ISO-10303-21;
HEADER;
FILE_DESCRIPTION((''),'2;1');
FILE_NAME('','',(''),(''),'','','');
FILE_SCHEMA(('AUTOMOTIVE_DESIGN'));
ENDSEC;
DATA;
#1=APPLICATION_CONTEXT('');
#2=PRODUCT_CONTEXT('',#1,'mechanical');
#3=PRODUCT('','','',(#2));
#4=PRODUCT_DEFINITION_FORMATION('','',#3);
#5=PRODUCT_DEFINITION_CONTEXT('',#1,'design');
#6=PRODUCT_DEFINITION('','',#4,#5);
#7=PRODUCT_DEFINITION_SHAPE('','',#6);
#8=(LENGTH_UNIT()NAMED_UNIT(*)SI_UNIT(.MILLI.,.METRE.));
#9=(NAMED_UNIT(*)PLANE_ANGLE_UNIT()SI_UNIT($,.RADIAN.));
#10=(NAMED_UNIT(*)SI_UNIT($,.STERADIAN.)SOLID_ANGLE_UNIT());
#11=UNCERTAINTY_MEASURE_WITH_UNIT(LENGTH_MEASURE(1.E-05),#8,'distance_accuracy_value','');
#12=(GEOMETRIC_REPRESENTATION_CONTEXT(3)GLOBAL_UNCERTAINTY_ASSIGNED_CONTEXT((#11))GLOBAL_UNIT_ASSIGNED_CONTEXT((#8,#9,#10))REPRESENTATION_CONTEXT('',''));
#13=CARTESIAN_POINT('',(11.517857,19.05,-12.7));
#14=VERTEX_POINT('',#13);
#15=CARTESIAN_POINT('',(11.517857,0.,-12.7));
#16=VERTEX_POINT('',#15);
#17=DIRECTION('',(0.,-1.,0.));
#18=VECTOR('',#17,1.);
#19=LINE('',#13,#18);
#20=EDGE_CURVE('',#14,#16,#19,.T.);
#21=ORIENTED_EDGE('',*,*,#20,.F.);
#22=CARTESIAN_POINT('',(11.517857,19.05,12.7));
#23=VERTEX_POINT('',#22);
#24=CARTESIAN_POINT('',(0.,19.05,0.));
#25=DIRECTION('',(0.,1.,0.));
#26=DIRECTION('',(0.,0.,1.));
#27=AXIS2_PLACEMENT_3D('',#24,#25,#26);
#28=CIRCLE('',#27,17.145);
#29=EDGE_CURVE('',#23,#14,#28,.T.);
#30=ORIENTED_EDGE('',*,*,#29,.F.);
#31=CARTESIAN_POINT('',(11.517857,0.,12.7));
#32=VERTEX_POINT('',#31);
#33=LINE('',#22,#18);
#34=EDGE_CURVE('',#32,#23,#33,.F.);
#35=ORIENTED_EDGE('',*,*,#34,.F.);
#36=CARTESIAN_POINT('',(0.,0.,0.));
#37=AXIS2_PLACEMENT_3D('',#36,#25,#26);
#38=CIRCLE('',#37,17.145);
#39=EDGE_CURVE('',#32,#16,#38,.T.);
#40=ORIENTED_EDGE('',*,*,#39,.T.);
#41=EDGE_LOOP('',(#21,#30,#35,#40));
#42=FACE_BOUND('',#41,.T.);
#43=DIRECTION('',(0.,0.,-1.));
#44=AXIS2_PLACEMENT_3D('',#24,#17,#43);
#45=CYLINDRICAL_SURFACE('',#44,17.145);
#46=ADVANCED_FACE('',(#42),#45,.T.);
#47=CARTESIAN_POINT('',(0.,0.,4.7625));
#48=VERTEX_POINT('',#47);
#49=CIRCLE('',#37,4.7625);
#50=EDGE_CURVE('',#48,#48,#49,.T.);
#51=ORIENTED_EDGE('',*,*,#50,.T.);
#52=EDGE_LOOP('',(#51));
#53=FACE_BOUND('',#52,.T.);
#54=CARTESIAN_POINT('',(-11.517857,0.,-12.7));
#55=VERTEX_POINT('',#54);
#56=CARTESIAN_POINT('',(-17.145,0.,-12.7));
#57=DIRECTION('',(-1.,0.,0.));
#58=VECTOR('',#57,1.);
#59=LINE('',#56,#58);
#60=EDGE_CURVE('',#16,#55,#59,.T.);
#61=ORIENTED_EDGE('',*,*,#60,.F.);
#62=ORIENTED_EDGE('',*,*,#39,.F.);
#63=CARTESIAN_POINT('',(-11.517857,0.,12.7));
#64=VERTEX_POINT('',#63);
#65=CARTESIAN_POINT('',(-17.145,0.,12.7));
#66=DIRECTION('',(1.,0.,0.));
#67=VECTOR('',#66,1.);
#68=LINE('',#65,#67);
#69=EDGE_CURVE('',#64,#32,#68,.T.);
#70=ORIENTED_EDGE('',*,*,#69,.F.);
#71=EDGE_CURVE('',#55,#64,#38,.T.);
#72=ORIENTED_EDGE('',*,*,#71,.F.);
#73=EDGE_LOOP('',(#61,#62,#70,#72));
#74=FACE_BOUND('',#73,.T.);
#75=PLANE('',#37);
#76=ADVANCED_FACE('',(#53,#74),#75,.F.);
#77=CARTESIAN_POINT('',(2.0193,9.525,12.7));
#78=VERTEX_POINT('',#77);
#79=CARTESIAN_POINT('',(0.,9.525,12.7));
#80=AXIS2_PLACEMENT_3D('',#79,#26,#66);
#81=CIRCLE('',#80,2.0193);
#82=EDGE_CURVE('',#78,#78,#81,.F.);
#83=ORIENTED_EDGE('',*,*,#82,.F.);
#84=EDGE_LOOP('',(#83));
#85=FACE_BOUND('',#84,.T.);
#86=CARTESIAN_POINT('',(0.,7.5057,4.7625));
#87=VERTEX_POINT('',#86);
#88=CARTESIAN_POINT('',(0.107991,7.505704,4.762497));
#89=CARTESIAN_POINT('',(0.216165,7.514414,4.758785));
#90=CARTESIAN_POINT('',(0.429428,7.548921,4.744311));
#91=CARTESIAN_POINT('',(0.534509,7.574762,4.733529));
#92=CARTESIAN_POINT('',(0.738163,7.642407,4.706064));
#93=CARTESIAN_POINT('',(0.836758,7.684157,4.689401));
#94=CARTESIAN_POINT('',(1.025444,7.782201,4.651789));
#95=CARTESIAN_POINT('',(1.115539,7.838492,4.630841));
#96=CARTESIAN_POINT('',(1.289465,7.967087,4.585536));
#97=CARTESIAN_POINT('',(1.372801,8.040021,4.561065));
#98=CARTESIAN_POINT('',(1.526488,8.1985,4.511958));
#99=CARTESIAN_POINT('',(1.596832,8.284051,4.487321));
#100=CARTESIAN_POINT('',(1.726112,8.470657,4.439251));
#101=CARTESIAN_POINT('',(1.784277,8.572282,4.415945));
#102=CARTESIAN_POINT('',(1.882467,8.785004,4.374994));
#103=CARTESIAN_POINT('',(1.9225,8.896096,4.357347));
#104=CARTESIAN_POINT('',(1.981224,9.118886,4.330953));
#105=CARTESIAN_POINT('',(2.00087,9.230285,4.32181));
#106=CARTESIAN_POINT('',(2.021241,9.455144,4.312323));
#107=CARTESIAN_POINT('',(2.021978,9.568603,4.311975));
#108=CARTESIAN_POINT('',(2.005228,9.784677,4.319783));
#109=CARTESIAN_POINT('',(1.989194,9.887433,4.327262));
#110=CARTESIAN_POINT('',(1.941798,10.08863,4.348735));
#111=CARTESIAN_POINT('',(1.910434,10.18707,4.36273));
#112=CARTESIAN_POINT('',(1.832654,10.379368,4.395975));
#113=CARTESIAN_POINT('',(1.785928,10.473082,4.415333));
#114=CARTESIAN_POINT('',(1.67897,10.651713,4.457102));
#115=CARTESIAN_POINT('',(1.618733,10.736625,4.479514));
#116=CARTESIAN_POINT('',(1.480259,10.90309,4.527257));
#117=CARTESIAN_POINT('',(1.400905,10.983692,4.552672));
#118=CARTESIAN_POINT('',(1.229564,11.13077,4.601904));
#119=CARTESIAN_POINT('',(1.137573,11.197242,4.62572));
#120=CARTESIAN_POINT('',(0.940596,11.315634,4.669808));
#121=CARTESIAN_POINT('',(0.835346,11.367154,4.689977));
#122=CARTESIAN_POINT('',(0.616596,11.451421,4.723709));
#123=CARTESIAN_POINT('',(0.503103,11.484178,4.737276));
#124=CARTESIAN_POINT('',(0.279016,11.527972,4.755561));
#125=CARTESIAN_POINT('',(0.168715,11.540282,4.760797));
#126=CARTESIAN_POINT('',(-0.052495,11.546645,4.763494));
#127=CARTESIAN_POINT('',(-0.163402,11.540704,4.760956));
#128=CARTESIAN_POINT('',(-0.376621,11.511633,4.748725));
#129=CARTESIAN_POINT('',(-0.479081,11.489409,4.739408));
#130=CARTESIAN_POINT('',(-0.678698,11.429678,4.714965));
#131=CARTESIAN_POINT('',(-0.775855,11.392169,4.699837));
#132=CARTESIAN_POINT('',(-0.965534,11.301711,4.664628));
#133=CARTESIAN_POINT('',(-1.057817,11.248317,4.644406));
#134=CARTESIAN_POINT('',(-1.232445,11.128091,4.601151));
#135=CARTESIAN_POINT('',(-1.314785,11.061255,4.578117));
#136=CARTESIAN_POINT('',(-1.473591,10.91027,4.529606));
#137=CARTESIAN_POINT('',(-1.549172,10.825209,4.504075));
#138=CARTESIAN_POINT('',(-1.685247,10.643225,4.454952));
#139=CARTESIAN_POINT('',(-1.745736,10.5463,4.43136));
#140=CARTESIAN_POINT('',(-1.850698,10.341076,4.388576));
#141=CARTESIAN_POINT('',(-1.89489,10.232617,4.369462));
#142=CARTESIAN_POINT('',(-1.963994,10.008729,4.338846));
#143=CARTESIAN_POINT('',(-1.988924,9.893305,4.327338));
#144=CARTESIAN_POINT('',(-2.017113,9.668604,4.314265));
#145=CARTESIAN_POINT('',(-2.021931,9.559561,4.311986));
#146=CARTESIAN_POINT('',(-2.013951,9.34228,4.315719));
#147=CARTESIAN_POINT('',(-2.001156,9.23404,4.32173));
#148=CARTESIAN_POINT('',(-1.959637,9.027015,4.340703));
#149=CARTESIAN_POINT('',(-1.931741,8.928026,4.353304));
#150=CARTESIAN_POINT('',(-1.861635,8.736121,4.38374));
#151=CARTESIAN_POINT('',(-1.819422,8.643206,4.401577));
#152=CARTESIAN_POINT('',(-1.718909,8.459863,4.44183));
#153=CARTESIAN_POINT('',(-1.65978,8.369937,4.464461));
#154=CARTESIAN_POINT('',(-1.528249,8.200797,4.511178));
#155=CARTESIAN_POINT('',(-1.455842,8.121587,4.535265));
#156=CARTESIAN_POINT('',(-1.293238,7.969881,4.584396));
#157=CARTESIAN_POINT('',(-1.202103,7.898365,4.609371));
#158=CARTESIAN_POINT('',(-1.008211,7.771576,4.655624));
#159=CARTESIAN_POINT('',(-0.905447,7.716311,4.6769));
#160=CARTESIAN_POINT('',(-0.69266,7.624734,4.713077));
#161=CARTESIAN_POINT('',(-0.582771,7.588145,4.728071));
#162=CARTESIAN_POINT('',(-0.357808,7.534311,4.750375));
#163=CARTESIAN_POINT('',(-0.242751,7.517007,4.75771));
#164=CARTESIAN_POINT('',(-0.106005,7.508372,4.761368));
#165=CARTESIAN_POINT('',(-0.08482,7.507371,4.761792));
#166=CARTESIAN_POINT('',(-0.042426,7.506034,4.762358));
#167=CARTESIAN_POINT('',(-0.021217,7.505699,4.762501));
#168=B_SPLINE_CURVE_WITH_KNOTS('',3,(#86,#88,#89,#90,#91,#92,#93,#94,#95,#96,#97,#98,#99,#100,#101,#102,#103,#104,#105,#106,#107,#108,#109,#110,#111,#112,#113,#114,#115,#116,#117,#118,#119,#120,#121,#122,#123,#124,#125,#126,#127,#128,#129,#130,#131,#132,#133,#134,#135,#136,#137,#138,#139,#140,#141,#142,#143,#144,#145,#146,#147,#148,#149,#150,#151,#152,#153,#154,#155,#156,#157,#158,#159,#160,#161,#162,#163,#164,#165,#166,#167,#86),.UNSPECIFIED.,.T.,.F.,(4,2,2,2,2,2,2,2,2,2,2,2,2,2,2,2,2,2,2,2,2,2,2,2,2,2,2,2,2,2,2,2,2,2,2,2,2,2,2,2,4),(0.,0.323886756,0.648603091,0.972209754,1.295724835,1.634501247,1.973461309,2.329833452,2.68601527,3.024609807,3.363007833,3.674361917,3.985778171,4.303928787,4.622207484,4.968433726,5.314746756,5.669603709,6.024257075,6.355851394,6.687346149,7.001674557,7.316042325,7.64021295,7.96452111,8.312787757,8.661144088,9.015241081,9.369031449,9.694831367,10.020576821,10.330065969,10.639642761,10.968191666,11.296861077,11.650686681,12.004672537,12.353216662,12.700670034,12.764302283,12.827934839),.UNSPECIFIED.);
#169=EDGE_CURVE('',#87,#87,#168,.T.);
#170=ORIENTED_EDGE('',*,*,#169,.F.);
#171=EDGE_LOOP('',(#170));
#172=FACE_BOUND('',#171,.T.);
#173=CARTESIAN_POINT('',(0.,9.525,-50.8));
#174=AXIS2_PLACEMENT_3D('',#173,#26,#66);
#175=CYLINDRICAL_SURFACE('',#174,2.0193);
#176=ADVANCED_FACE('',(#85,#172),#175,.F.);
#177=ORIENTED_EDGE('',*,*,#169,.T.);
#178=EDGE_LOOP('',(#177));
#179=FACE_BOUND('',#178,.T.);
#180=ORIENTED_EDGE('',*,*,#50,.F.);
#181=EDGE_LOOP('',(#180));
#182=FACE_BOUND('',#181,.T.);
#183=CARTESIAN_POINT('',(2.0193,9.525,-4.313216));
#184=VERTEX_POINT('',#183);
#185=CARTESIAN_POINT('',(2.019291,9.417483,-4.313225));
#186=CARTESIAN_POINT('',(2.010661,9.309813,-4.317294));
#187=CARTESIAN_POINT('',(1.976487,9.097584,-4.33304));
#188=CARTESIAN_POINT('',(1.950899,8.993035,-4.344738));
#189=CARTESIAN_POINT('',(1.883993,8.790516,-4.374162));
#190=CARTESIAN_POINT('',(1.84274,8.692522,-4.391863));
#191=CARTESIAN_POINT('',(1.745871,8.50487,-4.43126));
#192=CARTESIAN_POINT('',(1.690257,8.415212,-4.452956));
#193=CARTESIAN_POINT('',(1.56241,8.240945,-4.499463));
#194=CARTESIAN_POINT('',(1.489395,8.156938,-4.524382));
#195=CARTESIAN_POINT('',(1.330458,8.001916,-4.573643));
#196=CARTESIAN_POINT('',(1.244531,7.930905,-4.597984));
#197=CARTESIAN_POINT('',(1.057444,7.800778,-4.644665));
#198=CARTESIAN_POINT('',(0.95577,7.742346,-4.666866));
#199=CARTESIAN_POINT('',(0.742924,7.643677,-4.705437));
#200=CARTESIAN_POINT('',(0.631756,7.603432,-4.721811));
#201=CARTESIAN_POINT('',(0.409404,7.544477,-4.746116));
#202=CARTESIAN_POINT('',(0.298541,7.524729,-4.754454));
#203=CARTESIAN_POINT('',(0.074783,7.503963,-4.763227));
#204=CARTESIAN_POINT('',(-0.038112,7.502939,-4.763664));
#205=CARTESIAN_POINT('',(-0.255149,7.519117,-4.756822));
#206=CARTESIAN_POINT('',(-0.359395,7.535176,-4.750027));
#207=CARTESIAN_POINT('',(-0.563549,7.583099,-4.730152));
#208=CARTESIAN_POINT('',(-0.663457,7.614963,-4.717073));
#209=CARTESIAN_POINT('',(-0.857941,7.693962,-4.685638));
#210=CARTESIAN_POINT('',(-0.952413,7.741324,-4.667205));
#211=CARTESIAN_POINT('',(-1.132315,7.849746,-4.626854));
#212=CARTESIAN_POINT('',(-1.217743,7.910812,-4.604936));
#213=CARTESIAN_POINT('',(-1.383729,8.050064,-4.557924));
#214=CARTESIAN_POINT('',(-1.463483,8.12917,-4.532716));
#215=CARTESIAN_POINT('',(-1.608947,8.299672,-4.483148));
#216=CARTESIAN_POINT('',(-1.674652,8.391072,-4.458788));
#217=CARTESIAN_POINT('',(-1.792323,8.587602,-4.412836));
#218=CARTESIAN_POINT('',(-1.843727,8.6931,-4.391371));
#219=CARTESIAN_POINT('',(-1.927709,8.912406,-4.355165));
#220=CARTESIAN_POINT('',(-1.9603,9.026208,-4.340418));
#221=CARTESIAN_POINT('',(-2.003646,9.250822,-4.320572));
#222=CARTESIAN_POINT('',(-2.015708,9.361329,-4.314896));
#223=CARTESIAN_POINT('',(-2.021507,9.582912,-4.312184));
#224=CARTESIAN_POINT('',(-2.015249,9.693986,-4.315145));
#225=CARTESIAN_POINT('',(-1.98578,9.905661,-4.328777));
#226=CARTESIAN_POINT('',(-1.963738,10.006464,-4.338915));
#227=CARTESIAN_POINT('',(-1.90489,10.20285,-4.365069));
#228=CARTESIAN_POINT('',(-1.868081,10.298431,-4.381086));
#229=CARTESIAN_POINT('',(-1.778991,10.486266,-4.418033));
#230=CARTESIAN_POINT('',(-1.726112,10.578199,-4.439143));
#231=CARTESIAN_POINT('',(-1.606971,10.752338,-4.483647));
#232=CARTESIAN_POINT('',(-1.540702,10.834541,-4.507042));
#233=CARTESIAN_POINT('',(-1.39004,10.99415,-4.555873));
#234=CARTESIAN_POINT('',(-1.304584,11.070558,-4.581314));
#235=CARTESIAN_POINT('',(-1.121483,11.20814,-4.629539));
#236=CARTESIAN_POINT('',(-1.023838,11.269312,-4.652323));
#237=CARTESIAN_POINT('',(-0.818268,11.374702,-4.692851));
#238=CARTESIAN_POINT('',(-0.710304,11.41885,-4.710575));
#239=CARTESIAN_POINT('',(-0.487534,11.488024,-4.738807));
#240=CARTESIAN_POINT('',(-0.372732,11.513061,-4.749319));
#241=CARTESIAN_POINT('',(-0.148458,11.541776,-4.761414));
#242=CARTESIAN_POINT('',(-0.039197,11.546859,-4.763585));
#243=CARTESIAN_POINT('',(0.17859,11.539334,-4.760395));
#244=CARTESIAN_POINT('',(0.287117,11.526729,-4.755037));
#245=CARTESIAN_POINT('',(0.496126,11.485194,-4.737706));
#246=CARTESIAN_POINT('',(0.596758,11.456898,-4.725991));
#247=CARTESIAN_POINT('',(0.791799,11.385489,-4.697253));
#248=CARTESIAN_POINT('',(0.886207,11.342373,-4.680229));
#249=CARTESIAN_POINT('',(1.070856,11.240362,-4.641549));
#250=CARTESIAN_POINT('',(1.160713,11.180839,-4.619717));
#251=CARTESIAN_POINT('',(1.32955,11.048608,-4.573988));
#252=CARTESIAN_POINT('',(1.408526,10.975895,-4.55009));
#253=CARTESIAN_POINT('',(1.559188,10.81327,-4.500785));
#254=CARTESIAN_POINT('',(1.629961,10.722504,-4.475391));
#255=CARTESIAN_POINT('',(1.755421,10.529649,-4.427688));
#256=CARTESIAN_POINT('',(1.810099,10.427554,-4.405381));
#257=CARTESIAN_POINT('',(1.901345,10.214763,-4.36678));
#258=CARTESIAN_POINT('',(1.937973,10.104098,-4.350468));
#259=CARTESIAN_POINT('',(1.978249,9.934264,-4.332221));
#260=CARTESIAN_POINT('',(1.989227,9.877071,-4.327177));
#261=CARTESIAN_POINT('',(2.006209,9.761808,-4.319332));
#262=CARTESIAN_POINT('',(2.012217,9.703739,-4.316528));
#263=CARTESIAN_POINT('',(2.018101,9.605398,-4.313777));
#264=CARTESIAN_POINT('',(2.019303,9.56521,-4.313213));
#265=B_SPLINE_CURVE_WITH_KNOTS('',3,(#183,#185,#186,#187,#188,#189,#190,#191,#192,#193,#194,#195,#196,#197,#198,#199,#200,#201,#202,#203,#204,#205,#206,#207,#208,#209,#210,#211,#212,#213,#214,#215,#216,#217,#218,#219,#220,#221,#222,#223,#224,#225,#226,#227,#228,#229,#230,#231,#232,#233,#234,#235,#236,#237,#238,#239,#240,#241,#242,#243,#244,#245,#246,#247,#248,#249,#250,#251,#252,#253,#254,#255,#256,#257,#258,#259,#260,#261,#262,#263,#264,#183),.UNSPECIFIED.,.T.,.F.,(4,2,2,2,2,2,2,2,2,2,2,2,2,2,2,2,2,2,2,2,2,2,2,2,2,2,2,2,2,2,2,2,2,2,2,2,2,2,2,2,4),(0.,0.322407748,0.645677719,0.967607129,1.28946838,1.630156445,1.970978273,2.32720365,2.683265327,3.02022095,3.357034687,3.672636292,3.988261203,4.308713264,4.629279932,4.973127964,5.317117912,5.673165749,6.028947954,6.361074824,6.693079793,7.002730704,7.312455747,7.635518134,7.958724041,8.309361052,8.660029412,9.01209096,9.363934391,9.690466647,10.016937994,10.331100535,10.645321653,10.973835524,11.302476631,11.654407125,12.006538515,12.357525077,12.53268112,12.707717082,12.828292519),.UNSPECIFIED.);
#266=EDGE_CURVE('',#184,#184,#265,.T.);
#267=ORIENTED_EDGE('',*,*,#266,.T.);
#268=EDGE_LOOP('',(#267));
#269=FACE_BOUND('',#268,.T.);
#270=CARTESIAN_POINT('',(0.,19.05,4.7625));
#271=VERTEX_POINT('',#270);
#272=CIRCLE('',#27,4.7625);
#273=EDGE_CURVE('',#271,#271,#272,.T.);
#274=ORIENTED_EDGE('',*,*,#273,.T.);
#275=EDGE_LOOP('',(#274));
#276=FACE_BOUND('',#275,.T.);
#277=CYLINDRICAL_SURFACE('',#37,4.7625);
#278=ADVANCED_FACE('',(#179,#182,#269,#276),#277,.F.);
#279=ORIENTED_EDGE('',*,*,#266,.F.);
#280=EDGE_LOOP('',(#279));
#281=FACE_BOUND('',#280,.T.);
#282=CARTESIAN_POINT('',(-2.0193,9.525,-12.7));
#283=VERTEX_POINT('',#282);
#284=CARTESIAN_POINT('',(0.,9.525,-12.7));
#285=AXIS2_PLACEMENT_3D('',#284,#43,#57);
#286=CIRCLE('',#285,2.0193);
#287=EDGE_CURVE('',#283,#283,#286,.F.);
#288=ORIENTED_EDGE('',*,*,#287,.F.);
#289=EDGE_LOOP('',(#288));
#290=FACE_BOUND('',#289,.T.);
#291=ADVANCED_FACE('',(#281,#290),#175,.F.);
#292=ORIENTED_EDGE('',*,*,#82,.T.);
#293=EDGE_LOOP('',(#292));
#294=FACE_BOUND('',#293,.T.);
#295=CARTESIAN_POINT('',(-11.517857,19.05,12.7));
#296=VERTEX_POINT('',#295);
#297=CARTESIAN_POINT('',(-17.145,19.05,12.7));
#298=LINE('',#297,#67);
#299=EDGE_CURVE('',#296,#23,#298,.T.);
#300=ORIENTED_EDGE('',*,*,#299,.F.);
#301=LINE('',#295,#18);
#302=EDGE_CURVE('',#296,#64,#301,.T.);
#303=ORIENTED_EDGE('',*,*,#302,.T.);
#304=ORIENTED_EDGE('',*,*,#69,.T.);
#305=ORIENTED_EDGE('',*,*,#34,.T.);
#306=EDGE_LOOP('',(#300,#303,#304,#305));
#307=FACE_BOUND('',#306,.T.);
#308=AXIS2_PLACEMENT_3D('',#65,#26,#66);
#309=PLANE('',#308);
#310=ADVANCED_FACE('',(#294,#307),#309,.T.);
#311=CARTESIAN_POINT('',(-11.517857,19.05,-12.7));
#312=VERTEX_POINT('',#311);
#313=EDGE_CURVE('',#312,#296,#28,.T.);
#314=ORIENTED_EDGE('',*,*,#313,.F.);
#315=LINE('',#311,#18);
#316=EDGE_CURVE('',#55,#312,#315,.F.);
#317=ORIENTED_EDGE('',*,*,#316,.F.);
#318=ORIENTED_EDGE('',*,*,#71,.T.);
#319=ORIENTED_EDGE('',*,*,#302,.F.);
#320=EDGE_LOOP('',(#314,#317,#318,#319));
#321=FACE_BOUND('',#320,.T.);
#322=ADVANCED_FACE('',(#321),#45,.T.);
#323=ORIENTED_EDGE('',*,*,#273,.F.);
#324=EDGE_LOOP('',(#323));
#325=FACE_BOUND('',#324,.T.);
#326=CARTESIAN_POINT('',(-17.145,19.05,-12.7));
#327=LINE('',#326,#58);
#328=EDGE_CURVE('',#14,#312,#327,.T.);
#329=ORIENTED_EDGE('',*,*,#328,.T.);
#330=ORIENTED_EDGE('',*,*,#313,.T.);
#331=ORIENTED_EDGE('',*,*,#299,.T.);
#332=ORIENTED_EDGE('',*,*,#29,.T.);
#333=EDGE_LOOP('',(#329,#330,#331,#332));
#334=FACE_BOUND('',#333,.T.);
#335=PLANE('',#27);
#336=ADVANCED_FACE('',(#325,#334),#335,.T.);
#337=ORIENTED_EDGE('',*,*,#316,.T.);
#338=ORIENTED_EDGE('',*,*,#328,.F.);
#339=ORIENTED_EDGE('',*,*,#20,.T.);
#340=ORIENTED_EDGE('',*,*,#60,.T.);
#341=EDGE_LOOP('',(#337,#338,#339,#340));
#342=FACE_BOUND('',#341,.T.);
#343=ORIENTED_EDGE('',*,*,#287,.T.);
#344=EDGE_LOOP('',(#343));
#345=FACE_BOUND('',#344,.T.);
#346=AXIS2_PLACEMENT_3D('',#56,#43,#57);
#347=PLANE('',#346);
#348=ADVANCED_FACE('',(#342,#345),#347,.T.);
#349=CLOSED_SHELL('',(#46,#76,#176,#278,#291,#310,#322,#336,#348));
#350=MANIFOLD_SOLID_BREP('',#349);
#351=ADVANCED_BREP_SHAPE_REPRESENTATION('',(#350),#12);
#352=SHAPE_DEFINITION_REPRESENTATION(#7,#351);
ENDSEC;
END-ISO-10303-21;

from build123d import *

# Parameters (mm, degrees)
SKETCH1_R                 = 17.145
BOSS_EXTRUDE1_DEPTH       = 19.05
SKETCH2_R                 = 4.7625
CUT_EXTRUDE1_DEPTH        = 31.835118777
SKETCH3_R                 = 2.0193
F_10_32_TAPPED_HOLE_DEPTH = 50.8
SKETCH4_OUTSIDE_W         = 46.71
SKETCH4_OUTSIDE_H         = 46.71
SKETCH4_OUTSIDE_W_2       = 34.29
SKETCH4_OUTSIDE_H_2       = 25.4
FIT_IN_SLOT_DEPTH         = 31.83511895


with BuildPart() as part:
    # Sketch1 → Boss-Extrude1 (new body)
    with BuildSketch(Plane(origin=(0, 0, 0), x_dir=(1, 0, 0), z_dir=(0, 1, 0))):
        with Locations(Location((0, 0, 0), (0, 0, 90))):
            Circle(SKETCH1_R)
    extrude(amount=BOSS_EXTRUDE1_DEPTH)

    # Sketch2 → Cut-Extrude1 (cut, through all)
    with BuildSketch(Plane(origin=(0, 19.05, 0), x_dir=(1, 0, 0), z_dir=(0, 1, 0))):
        with Locations(Location((0, 0, 0), (0, 0, 270))):
            Circle(SKETCH2_R)
    extrude(amount=-CUT_EXTRUDE1_DEPTH, mode=Mode.SUBTRACT)

    # Sketch3 → 10-32 Tapped Hole (cut, symmetric)
    with BuildSketch(Plane.XY):
        with Locations((0, 9.525)):
            Circle(SKETCH3_R)
    extrude(amount=F_10_32_TAPPED_HOLE_DEPTH, both=True, mode=Mode.SUBTRACT)

    # Sketch4 outside → Fit in Slot (cut, through all)
    with BuildSketch(Plane(origin=(0, 19.05, 0), x_dir=(1, 0, 0), z_dir=(0, 1, 0))):
        Rectangle(SKETCH4_OUTSIDE_W, SKETCH4_OUTSIDE_H)
        Rectangle(SKETCH4_OUTSIDE_W_2, SKETCH4_OUTSIDE_H_2, mode=Mode.SUBTRACT)
    extrude(amount=-FIT_IN_SLOT_DEPTH, mode=Mode.SUBTRACT)


solid = part.part
